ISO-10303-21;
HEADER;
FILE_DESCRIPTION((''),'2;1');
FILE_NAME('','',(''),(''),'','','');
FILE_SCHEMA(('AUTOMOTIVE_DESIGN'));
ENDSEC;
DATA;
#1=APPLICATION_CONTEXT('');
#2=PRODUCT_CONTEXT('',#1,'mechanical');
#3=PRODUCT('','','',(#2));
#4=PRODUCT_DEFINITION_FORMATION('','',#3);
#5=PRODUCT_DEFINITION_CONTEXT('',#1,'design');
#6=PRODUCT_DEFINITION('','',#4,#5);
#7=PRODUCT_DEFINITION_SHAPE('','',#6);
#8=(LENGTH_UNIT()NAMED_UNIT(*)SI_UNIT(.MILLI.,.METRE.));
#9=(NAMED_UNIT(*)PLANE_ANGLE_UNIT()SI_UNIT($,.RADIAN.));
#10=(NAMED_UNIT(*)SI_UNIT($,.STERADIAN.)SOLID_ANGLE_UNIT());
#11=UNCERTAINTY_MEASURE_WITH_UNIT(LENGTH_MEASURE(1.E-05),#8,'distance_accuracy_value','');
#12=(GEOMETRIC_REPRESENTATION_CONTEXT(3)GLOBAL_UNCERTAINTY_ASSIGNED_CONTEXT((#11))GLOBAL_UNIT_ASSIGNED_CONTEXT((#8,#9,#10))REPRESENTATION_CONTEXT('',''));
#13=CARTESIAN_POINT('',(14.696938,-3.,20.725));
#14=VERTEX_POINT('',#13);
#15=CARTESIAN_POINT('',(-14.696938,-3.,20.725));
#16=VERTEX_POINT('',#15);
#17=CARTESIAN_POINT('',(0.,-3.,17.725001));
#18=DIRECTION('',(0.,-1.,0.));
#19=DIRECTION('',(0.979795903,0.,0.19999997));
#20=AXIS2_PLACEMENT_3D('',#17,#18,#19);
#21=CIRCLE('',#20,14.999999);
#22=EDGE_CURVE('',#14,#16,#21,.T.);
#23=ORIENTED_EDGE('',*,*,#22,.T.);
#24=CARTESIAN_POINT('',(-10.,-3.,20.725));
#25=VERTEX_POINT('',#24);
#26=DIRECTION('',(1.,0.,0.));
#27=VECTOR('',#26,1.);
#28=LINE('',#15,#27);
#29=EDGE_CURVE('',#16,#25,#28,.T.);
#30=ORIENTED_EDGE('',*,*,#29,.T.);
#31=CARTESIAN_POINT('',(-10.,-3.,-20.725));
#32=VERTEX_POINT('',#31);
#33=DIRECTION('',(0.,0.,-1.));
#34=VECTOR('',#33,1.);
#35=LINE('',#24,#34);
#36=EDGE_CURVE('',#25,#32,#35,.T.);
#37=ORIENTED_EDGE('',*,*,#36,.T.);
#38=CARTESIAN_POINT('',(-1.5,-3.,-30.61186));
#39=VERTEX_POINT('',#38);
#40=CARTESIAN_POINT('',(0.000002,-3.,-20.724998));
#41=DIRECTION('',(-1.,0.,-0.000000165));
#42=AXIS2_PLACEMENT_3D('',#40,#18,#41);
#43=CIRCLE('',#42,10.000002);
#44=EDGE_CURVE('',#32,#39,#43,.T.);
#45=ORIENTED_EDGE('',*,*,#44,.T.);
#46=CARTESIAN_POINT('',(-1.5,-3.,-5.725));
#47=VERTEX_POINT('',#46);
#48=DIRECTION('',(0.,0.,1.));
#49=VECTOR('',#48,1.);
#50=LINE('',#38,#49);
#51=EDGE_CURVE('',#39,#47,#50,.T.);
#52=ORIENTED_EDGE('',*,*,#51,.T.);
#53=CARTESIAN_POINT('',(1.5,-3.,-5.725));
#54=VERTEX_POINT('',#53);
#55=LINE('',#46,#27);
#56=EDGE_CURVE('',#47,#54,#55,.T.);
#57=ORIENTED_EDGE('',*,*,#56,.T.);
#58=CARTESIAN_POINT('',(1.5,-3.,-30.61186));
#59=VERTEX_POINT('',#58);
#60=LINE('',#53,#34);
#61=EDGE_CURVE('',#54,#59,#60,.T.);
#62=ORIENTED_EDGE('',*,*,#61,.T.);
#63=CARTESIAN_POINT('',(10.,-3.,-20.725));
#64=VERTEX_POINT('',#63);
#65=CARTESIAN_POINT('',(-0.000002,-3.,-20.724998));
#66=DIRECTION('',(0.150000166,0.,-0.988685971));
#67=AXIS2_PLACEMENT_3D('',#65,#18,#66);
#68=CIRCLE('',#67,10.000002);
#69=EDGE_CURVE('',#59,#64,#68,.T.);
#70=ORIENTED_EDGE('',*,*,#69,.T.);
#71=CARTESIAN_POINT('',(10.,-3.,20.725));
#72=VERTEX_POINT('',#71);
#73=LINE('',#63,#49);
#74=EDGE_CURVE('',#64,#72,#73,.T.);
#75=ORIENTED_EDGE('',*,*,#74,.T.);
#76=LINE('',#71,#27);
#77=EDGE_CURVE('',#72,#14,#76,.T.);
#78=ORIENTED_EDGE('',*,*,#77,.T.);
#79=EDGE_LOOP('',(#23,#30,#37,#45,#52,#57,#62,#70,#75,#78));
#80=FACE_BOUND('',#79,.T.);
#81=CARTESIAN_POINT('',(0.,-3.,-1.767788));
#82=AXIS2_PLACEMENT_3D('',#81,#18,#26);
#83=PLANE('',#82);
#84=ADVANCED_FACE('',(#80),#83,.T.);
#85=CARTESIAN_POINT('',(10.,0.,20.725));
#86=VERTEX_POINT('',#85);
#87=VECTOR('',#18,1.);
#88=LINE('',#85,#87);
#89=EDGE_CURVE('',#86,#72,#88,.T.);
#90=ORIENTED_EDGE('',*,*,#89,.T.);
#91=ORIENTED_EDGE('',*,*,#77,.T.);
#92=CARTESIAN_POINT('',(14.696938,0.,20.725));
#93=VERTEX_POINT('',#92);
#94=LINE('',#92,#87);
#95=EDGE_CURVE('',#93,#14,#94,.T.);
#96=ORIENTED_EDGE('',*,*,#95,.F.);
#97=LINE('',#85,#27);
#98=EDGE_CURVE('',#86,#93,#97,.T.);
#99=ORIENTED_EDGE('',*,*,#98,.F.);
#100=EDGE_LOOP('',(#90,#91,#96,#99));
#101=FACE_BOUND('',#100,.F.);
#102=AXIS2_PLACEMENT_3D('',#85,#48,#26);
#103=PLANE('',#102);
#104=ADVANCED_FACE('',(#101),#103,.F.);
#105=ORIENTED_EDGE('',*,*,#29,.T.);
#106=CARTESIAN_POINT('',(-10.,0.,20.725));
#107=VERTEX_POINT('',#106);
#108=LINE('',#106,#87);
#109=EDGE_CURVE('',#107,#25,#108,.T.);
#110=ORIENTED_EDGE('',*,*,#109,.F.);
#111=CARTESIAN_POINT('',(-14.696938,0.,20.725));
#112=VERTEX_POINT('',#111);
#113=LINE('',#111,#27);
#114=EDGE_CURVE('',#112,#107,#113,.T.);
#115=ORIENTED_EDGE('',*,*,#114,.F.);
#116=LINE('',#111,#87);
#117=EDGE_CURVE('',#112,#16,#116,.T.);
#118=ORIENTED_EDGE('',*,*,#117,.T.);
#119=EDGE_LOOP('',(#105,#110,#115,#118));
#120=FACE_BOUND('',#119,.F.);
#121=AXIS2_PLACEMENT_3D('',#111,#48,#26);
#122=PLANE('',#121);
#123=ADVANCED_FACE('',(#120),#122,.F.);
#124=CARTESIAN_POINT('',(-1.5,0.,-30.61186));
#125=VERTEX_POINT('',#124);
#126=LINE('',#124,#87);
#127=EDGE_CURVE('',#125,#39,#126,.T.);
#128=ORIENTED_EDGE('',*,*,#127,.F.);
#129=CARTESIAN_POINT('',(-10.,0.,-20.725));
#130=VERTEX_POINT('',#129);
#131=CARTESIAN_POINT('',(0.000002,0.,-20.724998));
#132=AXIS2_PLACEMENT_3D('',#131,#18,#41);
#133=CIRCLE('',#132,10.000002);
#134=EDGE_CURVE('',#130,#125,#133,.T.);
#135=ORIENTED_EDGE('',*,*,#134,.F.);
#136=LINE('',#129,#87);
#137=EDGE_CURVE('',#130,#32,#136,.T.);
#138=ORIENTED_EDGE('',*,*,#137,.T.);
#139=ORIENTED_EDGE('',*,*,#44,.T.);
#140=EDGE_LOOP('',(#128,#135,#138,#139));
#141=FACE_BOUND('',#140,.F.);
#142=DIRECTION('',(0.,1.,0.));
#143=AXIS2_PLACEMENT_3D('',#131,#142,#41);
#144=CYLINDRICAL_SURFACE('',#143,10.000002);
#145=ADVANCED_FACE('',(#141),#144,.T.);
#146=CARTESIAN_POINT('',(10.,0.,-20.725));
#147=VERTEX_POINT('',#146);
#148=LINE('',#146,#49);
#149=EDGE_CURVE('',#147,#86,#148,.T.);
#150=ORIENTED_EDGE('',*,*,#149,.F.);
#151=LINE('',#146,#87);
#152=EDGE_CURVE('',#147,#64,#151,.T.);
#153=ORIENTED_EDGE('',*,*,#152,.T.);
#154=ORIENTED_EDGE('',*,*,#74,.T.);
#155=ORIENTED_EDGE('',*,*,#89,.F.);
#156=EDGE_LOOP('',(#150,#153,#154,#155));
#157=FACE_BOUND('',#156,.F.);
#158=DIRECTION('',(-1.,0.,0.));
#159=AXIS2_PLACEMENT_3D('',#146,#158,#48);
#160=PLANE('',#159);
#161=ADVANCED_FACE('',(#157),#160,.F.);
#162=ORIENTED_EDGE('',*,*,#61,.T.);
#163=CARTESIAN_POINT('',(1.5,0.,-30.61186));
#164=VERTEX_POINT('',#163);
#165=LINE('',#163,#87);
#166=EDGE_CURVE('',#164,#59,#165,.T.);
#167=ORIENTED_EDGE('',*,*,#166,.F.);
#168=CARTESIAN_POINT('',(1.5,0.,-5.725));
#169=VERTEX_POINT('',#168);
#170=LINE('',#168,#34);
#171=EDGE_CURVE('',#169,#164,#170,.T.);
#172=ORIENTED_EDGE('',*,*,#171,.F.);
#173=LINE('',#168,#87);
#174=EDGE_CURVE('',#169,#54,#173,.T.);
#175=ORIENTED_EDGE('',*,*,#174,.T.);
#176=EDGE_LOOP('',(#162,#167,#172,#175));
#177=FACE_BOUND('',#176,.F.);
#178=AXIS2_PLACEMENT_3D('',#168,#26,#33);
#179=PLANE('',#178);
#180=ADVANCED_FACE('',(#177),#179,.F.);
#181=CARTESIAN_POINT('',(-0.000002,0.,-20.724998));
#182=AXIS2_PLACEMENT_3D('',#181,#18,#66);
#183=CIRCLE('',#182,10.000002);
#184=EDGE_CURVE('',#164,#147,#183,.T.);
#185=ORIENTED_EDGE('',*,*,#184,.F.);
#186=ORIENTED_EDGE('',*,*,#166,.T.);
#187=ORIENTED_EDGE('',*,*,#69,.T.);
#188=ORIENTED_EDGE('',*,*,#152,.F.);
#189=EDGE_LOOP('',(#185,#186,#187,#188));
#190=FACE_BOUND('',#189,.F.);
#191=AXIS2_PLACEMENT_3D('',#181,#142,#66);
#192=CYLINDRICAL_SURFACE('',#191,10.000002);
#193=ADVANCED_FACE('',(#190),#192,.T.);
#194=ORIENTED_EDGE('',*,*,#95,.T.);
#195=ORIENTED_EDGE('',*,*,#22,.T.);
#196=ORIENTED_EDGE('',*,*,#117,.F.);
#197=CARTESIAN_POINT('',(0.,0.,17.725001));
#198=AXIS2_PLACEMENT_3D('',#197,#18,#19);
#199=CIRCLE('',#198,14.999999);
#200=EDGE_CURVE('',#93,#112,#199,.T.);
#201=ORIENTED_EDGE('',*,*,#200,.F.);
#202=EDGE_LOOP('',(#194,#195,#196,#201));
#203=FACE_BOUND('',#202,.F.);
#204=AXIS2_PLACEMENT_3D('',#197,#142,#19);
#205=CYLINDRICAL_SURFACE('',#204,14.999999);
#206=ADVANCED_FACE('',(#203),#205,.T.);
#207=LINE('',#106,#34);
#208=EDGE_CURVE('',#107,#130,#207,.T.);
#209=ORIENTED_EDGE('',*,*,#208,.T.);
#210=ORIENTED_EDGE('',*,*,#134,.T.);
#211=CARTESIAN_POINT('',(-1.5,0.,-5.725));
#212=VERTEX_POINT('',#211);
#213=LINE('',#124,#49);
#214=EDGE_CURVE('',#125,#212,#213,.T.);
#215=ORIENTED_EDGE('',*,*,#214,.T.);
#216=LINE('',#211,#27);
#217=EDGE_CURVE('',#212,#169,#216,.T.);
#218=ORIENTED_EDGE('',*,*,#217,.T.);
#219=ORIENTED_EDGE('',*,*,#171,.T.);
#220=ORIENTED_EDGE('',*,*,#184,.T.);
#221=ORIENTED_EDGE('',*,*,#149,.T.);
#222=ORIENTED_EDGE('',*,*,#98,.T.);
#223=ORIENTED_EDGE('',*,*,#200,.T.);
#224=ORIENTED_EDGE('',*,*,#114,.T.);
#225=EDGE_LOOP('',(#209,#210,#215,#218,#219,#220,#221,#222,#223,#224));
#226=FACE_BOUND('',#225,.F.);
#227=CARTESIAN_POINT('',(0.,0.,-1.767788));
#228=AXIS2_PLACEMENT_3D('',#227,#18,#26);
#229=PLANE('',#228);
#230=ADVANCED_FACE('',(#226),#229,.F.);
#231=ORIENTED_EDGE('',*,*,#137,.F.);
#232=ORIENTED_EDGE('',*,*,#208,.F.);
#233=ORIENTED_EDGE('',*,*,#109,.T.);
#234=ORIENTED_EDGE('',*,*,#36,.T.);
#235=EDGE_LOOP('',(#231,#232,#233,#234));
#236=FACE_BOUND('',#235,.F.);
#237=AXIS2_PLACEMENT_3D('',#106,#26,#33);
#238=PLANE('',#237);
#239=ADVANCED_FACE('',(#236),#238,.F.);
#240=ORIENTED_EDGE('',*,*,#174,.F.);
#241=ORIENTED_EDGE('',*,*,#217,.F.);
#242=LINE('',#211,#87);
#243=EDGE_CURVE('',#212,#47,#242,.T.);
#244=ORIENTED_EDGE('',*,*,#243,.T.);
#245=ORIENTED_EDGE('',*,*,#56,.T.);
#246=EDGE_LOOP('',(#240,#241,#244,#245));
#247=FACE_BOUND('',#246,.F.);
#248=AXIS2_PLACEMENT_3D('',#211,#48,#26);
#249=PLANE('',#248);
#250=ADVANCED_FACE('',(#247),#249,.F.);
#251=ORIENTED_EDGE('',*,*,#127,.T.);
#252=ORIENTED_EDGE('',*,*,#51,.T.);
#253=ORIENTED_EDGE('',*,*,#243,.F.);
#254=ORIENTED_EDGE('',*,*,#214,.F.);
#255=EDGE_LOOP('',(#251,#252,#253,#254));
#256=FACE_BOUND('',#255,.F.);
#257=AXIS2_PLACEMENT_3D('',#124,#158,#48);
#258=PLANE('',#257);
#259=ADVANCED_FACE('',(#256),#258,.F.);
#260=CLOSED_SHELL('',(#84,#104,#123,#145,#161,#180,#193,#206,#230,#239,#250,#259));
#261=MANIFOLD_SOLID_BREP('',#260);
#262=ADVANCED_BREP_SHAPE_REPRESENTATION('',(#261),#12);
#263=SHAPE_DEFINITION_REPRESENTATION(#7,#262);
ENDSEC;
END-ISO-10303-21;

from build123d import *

# Parameters (mm, degrees)
F1_DEPTH = 3


with BuildPart() as f1:
    # F0 (on Front) → F1 (new body)
    with BuildSketch(Plane.XZ):
        with BuildLine():
            Line((10, -20.725), (10, 20.725))
            Line((10, 20.725), (14.696938, 20.725))
            ThreePointArc((14.696938, 20.725), (0, 32.725), (-14.696938, 20.725))
            Line((-14.696938, 20.725), (-10, 20.725))
            Line((-10, 20.725), (-10, -20.725))
            ThreePointArc((-10, -20.725), (-7.582875, -27.244202), (-1.5, -30.61186))
            Line((-1.5, -30.61186), (-1.5, -5.725))
            Line((-1.5, -5.725), (1.5, -5.725))
            Line((1.5, -5.725), (1.5, -30.61186))
            ThreePointArc((1.5, -30.61186), (7.582875, -27.244202), (10, -20.725))
        make_face()
    extrude(amount=F1_DEPTH)


solid = f1.part
